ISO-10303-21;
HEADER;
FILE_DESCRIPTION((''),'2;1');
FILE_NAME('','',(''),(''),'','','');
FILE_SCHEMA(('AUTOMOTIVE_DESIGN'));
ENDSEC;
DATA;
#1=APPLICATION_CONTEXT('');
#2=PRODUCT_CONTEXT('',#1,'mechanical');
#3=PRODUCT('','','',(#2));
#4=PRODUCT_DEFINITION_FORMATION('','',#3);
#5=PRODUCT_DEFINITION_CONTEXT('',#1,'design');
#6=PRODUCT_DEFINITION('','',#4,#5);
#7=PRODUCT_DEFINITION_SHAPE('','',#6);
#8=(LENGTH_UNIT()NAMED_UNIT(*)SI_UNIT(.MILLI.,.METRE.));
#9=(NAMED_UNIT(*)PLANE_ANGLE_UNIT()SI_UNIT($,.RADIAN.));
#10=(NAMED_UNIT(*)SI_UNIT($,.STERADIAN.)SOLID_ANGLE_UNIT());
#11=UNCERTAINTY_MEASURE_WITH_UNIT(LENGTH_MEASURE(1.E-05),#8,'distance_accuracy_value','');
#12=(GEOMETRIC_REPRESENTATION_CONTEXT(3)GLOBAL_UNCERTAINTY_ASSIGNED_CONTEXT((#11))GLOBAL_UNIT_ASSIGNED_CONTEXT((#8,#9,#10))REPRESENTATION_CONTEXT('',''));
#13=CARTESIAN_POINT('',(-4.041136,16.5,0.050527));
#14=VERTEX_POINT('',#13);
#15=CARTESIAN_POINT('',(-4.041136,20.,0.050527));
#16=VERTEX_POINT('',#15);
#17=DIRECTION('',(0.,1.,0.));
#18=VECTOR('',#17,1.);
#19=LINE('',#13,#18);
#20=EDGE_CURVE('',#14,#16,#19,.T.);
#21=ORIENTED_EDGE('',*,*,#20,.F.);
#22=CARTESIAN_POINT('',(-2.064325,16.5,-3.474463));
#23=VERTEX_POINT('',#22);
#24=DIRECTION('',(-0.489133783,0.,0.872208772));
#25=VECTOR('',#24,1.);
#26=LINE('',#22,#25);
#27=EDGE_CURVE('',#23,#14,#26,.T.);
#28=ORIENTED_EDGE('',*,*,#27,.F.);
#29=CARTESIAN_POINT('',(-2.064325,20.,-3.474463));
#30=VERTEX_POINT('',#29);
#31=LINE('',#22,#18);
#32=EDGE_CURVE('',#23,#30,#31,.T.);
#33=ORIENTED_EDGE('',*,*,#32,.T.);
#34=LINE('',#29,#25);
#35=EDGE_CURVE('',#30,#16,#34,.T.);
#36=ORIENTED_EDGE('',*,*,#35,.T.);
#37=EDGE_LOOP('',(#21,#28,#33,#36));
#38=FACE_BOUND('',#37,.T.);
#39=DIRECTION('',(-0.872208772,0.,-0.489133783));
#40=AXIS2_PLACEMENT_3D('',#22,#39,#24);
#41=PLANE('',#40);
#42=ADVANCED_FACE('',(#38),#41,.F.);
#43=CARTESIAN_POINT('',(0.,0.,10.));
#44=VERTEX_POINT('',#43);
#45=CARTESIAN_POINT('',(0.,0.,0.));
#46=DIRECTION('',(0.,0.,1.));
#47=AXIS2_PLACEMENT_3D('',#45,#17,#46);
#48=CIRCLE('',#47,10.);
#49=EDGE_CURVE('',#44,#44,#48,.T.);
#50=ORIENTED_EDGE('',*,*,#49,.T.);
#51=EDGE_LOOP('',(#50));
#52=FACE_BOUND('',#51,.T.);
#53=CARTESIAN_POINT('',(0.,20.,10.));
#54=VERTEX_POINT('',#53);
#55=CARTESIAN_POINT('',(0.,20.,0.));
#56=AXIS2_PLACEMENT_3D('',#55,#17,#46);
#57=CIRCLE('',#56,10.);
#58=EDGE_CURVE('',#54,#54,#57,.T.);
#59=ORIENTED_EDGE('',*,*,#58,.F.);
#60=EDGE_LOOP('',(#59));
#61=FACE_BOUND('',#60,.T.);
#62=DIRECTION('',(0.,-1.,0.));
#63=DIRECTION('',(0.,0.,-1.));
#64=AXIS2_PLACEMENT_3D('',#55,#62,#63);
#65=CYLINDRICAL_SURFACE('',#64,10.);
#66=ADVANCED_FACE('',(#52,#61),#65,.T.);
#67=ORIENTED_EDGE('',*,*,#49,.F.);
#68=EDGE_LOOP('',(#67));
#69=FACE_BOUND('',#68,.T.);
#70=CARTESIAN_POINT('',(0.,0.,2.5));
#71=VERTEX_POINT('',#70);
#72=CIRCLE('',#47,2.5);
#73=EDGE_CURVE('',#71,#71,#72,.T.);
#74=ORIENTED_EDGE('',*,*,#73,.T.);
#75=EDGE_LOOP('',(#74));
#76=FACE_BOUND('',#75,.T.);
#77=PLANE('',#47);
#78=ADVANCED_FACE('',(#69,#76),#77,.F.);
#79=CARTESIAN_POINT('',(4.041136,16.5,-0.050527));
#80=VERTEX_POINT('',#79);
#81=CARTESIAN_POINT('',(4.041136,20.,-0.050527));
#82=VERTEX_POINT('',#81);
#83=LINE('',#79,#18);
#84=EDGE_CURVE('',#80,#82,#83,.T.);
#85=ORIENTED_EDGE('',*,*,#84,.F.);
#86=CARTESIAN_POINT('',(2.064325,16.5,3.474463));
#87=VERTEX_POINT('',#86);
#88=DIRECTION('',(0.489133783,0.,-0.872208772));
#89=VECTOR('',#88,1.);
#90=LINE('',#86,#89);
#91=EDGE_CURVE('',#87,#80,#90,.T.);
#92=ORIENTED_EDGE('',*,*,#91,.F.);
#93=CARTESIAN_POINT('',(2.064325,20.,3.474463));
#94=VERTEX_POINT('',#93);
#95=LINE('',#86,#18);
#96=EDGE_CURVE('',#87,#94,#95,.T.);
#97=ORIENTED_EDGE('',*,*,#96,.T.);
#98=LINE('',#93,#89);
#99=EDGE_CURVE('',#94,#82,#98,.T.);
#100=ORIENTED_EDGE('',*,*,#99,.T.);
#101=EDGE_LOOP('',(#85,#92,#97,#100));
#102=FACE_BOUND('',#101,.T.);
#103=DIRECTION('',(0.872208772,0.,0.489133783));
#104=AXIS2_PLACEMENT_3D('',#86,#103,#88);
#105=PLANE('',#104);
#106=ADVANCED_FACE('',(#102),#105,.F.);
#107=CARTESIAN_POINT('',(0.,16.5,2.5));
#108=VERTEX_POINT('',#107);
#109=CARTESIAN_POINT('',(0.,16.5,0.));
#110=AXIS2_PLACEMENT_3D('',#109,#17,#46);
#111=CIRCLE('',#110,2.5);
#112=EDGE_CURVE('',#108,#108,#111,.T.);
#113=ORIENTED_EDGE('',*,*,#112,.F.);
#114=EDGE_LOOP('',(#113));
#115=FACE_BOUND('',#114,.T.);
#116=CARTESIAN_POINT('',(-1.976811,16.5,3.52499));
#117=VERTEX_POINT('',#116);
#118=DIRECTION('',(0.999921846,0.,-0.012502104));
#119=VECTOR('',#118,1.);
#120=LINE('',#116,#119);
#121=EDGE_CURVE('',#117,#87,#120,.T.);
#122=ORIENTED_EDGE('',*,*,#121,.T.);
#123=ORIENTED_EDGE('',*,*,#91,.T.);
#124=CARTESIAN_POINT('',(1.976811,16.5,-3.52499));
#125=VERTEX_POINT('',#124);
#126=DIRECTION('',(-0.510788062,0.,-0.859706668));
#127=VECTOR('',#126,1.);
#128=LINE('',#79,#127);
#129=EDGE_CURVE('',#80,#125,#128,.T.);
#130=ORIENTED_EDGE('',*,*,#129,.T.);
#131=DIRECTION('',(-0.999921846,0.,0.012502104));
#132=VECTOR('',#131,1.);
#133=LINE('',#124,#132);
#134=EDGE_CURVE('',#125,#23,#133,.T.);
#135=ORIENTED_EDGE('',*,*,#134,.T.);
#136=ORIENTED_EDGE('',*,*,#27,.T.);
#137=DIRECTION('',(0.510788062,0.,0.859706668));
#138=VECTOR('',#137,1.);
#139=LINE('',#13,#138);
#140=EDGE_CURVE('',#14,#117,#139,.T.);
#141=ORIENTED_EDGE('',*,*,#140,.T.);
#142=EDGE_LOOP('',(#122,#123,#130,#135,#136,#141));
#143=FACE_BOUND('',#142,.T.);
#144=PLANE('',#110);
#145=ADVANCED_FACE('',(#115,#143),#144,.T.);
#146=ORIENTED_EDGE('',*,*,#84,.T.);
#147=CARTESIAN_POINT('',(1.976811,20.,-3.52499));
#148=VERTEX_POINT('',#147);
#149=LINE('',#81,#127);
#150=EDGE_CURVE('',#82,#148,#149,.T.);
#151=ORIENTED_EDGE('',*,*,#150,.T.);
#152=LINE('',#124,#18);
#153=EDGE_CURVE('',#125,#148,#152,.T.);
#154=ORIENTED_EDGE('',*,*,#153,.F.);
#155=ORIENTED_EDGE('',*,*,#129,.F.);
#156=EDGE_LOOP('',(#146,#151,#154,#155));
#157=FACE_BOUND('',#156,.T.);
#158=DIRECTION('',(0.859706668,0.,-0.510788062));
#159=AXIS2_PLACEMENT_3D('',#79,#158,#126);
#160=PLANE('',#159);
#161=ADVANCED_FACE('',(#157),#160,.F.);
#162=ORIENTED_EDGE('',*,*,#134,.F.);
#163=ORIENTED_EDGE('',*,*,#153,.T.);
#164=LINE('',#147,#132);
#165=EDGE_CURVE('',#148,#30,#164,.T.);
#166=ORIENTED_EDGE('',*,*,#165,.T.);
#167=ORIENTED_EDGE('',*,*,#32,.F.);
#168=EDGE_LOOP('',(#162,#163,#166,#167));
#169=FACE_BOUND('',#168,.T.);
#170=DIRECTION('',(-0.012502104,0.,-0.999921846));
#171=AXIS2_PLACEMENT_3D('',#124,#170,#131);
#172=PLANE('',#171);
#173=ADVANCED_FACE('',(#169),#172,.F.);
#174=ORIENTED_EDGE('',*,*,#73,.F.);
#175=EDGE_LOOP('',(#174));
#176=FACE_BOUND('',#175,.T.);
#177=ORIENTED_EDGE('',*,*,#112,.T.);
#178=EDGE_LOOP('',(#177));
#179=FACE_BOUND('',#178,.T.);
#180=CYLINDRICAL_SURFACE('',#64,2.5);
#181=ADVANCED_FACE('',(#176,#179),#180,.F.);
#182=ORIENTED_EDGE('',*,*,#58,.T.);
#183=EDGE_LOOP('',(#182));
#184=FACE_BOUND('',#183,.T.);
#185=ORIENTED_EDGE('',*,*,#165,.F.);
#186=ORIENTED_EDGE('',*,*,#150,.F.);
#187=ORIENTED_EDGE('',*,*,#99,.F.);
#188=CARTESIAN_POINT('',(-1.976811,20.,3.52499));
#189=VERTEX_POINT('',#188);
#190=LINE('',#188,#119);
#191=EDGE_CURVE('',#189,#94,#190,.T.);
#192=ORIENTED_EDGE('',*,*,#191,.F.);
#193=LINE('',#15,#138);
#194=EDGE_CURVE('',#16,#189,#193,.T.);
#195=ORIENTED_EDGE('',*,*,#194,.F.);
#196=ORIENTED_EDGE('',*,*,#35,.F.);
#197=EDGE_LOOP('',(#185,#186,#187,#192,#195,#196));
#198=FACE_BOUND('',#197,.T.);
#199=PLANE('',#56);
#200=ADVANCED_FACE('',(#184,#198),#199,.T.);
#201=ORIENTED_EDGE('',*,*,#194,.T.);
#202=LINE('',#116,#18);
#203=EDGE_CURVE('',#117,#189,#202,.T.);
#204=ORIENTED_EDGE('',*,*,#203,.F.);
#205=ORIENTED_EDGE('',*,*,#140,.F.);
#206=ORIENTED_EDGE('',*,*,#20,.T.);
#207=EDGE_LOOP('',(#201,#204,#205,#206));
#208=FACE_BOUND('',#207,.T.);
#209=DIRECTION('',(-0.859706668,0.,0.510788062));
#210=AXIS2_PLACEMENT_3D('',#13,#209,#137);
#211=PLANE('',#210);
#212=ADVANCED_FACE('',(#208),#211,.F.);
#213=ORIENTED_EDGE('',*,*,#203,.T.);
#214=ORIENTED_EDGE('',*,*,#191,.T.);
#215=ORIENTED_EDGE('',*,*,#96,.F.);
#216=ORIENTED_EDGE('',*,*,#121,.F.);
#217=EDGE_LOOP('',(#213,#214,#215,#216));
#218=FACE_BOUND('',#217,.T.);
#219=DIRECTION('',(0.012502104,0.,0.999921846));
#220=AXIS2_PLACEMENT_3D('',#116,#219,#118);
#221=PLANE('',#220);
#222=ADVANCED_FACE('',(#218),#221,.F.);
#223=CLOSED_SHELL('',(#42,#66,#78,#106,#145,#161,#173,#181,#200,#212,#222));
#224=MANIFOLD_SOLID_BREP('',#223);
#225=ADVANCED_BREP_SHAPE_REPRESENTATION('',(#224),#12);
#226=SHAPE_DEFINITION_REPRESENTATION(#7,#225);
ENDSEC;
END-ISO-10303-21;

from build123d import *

# Parameters (mm, degrees)
SKETCH1_R           = 10
SKETCH1_R_2         = 2.5
BOSS_EXTRUDE1_DEPTH = 20
CUT_EXTRUDE1_DEPTH  = 3.5


with BuildPart() as part:
    # Sketch1 → Boss-Extrude1 (new body)
    with BuildSketch(Plane(origin=(0, 0, 0), x_dir=(1, 0, 0), z_dir=(0, 1, 0))):
        with Locations(Location((0, 0, 0), (0, 0, 270))):
            Circle(SKETCH1_R)
        with Locations(Location((0, 0, 0), (0, 0, 270))):
            Circle(SKETCH1_R_2, mode=Mode.SUBTRACT)
    extrude(amount=BOSS_EXTRUDE1_DEPTH)

    # Sketch3 → Cut-Extrude1 (cut)
    with BuildSketch(Plane(origin=(0, 20, 0), x_dir=(1, 0, 0), z_dir=(0, 1, 0))):
        Polygon((2.064325377, -3.474463134), (4.041136027, 0.050526651), (1.97681065, 3.524989785), (-2.064325377, 3.474463134), (-4.041136027, -0.050526651), (-1.97681065, -3.524989785), align=None)
    extrude(amount=-CUT_EXTRUDE1_DEPTH, mode=Mode.SUBTRACT)


solid = part.part
